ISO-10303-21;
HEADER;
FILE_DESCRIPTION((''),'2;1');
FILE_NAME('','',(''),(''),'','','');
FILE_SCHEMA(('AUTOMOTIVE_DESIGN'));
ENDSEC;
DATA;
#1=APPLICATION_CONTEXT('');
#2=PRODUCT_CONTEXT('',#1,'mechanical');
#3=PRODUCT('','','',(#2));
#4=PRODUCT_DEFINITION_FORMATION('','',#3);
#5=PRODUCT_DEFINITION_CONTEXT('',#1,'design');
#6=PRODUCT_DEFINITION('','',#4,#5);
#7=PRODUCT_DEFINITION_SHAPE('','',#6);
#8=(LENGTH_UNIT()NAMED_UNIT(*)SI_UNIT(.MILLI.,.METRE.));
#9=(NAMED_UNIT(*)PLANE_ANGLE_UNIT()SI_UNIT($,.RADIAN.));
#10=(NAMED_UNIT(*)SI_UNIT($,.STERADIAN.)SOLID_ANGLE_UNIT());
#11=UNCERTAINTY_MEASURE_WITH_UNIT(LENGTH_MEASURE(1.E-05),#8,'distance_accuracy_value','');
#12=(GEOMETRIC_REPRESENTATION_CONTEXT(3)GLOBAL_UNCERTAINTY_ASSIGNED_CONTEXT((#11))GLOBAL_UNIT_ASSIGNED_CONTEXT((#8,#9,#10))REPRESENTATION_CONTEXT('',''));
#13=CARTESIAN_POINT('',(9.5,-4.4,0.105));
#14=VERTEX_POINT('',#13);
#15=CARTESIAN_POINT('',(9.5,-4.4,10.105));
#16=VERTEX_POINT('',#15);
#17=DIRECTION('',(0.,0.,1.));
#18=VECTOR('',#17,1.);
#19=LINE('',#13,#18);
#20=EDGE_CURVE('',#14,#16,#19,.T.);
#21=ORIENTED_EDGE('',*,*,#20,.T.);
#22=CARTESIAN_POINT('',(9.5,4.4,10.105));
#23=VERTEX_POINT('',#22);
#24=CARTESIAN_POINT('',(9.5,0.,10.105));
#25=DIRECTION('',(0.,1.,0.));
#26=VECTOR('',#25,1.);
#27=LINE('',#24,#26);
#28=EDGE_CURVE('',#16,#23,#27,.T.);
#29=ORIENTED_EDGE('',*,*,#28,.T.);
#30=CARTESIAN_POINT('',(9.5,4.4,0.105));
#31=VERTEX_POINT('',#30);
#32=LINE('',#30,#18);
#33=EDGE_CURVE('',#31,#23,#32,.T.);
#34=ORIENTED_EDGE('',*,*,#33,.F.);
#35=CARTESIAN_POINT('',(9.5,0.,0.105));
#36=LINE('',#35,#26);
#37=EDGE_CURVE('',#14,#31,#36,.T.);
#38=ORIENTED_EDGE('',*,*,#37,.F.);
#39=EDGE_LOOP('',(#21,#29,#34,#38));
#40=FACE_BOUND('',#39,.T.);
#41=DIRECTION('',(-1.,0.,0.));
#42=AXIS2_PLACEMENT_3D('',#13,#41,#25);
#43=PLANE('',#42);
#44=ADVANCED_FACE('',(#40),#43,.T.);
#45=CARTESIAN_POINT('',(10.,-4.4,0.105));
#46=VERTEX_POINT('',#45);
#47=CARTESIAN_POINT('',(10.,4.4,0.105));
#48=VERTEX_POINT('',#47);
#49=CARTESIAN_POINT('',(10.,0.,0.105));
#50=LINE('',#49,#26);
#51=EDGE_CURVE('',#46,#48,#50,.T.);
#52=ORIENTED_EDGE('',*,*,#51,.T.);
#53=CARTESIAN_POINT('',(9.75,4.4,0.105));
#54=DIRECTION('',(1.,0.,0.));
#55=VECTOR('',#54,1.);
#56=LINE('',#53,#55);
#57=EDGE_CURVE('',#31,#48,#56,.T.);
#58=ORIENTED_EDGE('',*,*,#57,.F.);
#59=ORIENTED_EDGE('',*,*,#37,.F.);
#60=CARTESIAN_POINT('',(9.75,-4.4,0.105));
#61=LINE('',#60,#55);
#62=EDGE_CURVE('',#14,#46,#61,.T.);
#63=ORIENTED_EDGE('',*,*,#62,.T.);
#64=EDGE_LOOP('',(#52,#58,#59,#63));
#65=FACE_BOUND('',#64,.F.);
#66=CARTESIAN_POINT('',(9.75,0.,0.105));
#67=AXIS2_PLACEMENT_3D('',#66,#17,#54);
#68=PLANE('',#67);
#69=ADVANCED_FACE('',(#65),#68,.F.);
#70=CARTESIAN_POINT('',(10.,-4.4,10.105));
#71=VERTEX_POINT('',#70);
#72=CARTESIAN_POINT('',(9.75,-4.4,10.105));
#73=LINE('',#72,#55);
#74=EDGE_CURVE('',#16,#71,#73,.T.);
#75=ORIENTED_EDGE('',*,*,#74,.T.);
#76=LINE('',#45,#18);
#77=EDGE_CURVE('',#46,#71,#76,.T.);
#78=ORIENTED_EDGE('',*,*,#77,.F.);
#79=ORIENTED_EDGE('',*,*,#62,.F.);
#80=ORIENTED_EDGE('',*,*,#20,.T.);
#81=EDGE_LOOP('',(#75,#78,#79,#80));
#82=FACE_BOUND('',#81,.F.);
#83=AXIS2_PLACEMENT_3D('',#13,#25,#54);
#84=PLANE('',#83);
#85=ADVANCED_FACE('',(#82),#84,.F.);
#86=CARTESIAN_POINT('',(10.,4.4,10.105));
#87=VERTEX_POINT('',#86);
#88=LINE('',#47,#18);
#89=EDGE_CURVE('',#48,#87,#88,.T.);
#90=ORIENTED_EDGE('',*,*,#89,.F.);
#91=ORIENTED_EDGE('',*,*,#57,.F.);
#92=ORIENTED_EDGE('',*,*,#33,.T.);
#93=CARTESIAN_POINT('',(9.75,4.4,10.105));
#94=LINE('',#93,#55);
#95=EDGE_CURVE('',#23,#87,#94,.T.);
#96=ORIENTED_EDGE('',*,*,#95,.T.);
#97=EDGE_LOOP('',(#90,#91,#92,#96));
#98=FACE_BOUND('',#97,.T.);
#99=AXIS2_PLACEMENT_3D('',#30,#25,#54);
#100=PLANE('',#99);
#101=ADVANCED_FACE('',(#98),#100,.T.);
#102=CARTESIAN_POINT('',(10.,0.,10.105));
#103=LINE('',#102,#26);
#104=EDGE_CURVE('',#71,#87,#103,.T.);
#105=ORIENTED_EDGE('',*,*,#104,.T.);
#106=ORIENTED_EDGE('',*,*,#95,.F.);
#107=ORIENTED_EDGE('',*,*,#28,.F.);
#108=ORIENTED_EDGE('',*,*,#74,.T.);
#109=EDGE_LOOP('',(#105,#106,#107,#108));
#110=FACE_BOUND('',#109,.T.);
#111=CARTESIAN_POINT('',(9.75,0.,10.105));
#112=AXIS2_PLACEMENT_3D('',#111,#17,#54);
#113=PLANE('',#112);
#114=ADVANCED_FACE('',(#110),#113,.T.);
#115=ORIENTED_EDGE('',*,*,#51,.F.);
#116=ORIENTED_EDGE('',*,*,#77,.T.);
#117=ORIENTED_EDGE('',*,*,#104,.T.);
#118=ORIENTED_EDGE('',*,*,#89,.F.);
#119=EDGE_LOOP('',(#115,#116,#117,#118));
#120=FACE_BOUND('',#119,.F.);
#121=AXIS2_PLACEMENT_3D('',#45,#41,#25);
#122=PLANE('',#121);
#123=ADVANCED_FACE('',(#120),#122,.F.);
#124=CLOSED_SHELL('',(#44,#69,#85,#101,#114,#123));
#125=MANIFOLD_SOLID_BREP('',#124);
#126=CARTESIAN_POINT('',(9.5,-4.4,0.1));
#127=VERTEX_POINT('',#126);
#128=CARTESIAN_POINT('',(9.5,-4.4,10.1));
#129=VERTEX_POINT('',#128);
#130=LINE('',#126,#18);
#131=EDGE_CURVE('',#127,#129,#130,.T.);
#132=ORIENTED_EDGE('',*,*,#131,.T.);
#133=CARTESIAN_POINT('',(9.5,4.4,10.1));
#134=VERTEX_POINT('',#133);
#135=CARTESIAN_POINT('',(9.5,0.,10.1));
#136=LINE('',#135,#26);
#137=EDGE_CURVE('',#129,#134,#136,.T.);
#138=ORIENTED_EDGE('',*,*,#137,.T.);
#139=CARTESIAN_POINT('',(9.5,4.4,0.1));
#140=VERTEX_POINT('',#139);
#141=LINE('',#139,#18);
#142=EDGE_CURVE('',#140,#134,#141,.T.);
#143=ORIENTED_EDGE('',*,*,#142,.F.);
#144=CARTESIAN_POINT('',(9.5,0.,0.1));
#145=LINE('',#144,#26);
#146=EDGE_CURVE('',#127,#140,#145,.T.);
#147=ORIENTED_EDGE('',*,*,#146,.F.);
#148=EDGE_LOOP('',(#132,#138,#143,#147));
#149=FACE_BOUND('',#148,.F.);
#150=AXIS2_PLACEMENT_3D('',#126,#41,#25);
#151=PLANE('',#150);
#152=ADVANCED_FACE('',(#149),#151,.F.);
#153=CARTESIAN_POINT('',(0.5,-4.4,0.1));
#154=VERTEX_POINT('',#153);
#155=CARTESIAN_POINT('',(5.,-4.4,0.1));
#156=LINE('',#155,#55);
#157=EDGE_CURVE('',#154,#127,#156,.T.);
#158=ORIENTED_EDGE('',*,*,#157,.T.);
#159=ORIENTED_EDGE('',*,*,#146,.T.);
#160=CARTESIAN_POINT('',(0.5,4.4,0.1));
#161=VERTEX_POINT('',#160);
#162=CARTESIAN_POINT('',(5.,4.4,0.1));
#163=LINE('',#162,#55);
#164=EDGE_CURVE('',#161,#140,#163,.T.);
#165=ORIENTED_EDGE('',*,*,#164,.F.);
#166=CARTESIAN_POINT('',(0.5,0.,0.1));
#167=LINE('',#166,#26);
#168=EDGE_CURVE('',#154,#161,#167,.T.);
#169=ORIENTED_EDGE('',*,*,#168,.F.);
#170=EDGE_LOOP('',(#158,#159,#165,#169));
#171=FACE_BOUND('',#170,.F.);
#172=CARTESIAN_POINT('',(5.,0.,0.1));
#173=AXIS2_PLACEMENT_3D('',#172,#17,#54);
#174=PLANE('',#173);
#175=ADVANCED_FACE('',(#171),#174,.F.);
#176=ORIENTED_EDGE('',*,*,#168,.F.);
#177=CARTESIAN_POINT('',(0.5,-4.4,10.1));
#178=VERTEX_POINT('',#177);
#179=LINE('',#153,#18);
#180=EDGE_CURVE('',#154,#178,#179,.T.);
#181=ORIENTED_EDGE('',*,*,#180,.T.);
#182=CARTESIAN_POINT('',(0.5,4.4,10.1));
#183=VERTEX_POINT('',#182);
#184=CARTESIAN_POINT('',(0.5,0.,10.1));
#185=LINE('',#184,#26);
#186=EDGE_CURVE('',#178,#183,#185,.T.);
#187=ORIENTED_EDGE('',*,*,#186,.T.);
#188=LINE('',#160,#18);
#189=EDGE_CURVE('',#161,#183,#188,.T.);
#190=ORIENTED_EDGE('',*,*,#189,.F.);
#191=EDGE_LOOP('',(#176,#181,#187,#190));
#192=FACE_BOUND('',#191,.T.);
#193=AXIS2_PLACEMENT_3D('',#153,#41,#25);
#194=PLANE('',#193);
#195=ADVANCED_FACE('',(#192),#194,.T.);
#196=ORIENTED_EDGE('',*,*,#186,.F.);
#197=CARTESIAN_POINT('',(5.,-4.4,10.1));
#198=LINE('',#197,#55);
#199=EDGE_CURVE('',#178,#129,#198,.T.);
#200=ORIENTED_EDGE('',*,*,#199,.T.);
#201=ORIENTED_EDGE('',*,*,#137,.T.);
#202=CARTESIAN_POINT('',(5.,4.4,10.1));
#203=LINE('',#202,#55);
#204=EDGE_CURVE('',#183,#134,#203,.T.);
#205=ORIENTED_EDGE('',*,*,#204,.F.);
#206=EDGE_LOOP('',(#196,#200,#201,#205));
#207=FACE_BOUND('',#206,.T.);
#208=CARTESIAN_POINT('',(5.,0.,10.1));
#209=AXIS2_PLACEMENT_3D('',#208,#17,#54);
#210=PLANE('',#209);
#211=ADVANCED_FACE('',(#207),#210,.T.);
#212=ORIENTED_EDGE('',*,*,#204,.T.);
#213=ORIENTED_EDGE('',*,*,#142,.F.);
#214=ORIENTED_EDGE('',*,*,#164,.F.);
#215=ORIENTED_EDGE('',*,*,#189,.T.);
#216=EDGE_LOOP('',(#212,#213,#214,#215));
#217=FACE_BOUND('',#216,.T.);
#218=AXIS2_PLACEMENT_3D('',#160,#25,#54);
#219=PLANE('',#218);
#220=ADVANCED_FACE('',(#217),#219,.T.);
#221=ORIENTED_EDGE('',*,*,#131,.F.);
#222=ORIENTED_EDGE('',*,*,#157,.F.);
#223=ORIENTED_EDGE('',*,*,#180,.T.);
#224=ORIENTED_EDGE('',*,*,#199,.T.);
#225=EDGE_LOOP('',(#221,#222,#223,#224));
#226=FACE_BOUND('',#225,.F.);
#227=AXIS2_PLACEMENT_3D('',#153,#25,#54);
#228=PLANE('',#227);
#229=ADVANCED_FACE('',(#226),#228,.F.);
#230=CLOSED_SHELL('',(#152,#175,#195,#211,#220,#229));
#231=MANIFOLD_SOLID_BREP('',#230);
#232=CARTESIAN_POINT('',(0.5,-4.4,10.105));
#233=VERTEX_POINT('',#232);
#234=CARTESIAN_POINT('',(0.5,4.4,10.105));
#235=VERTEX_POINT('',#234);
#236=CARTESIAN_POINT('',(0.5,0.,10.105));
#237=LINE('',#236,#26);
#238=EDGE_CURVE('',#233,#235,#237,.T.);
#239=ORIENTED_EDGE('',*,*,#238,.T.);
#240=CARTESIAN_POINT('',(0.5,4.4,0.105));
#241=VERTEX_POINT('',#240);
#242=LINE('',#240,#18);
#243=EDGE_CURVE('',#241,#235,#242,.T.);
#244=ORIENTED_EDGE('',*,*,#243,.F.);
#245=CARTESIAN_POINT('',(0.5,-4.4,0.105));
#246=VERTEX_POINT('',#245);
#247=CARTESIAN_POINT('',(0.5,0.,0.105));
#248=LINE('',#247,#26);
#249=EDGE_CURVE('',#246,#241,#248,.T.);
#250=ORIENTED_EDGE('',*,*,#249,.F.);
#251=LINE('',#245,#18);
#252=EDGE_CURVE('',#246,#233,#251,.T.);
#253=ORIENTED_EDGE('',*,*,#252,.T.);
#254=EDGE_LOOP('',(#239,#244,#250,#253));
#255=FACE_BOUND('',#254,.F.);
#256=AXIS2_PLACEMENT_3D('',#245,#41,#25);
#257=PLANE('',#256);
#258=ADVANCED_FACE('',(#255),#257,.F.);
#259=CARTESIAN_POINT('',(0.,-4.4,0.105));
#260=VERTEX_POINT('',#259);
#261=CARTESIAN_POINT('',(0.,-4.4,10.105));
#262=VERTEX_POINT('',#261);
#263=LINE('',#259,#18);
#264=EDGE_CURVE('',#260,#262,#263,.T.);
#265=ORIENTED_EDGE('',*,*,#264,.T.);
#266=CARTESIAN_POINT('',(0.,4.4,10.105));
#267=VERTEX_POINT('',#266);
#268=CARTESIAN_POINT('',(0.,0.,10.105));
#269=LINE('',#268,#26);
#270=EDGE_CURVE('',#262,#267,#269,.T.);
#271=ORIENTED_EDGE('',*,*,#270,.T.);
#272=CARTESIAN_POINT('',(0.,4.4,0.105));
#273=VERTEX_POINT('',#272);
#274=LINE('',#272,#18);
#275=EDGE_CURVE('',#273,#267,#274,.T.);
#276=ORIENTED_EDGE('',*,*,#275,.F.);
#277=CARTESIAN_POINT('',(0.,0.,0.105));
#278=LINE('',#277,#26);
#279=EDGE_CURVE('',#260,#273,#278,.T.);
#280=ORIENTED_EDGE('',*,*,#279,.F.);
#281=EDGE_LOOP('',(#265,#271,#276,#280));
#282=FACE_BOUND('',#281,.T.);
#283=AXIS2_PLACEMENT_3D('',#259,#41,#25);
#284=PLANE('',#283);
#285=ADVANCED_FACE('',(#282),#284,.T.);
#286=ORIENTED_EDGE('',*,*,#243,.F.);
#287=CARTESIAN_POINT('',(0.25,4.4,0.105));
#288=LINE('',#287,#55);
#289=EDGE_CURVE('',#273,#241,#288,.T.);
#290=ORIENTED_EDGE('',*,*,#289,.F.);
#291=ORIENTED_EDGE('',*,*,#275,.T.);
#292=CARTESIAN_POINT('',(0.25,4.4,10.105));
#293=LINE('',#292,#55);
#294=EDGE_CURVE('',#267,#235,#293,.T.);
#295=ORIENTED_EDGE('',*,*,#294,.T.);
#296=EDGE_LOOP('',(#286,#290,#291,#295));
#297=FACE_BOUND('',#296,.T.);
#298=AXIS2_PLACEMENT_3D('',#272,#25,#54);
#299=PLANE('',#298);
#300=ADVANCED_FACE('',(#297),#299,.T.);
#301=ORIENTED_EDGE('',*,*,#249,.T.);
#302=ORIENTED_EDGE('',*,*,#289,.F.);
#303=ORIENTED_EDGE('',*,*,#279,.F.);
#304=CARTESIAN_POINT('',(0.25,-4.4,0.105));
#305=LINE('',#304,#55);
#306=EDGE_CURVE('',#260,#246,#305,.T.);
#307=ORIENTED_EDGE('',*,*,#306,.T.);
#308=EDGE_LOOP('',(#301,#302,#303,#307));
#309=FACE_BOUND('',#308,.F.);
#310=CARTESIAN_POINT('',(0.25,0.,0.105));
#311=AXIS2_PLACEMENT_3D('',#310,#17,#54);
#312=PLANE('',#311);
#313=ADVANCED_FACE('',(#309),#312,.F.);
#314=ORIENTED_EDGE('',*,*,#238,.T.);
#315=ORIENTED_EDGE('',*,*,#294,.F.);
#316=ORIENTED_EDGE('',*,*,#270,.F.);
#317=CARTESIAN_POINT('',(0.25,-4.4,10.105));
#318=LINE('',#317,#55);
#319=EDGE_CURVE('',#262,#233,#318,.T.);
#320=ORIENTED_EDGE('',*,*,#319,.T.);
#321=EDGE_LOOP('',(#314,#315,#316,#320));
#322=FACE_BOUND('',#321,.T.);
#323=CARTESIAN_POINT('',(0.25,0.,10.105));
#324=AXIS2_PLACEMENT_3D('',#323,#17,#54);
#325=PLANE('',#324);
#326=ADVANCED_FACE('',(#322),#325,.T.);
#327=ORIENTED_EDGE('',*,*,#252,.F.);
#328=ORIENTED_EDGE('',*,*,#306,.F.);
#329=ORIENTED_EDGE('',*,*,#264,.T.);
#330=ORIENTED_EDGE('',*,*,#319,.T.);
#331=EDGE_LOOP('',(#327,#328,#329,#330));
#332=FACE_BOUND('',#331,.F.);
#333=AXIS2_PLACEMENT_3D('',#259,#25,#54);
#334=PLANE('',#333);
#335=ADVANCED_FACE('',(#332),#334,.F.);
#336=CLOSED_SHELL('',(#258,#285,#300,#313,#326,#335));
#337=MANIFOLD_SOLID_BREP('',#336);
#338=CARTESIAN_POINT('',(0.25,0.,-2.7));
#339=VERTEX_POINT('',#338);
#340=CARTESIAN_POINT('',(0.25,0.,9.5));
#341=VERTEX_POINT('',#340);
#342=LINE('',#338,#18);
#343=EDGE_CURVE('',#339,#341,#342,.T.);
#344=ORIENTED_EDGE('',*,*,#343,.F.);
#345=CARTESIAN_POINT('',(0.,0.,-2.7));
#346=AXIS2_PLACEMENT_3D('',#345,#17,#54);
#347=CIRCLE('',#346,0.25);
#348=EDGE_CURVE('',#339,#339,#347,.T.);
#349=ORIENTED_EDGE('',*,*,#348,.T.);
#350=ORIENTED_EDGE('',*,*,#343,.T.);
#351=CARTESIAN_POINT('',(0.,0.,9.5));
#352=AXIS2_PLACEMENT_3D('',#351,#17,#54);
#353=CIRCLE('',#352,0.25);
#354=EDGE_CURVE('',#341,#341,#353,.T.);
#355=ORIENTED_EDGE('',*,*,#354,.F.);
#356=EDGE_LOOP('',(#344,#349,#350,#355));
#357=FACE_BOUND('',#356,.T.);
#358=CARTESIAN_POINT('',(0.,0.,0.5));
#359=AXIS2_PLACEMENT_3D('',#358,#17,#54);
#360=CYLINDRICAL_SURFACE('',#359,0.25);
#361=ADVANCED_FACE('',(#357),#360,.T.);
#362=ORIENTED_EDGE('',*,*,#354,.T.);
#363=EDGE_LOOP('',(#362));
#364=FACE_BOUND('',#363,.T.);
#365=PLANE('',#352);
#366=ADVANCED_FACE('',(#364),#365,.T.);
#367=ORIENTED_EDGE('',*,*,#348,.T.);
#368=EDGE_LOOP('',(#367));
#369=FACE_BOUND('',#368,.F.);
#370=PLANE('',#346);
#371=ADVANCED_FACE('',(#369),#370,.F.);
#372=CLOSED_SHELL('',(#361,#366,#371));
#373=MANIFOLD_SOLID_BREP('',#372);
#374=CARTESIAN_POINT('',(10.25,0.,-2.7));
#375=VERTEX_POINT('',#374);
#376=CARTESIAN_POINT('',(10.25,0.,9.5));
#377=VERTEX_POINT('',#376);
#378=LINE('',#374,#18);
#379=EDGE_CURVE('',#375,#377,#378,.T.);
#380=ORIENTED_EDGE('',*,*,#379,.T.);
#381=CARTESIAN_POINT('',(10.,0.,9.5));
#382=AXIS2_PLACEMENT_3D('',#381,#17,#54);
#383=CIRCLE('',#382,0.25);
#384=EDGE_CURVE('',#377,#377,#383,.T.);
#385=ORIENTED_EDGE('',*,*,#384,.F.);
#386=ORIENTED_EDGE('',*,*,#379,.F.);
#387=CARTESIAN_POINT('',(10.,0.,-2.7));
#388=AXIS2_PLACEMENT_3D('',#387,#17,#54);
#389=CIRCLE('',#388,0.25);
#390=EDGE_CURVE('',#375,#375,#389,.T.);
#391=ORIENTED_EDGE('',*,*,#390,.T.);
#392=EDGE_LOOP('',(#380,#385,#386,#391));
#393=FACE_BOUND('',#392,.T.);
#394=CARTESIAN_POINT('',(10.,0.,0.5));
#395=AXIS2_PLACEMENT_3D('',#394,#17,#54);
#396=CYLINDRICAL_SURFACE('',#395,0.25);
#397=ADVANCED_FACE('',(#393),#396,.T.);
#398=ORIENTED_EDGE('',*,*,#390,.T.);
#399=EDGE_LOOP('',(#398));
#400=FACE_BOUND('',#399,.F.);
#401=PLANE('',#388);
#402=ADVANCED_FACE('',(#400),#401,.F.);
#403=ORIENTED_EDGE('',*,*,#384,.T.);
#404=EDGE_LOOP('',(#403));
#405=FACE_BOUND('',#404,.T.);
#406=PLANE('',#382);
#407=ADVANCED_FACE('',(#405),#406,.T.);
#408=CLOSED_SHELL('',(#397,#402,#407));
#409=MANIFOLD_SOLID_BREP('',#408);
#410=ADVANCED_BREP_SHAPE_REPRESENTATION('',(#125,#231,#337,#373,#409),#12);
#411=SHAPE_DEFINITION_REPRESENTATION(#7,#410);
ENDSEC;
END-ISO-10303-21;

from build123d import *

# Parameters (mm, degrees)
SKETCH_W          = 9
SKETCH_H          = 8.8
PAD_DEPTH         = 10
SKETCH001_R       = 0.25
PAD001_DEPTH      = 9
PAD001_DEPTH_BACK = 3.2
SKETCH002_W       = 0.5
SKETCH002_H       = 8.8
PAD002_DEPTH      = 10


with BuildPart() as pad:
    # Sketch → Pad (new body)
    with BuildSketch(Plane.XY.offset(0.1)):
        with Locations((5, 0)):
            Rectangle(SKETCH_W, SKETCH_H)
    extrude(amount=PAD_DEPTH)


with BuildPart() as pad001:
    # Sketch001 → Pad001 (new body, two sides)
    with BuildSketch(Plane.XY.offset(0.5)) as pad001_sk:
        Circle(SKETCH001_R)
        with Locations((10, 0)):
            Circle(SKETCH001_R)
    extrude(amount=PAD001_DEPTH)
    extrude(pad001_sk.sketch, amount=-PAD001_DEPTH_BACK)


with BuildPart() as pad002:
    # Sketch002 → Pad002 (new body)
    with BuildSketch(Plane.XY.offset(0.105)):
        with Locations((0.25, 0)):
            Rectangle(SKETCH002_W, SKETCH002_H)
        with Locations((9.75, 0)):
            Rectangle(SKETCH002_W, SKETCH002_H)
    extrude(amount=PAD002_DEPTH)


solid = Compound([pad.part, pad001.part, pad002.part])
